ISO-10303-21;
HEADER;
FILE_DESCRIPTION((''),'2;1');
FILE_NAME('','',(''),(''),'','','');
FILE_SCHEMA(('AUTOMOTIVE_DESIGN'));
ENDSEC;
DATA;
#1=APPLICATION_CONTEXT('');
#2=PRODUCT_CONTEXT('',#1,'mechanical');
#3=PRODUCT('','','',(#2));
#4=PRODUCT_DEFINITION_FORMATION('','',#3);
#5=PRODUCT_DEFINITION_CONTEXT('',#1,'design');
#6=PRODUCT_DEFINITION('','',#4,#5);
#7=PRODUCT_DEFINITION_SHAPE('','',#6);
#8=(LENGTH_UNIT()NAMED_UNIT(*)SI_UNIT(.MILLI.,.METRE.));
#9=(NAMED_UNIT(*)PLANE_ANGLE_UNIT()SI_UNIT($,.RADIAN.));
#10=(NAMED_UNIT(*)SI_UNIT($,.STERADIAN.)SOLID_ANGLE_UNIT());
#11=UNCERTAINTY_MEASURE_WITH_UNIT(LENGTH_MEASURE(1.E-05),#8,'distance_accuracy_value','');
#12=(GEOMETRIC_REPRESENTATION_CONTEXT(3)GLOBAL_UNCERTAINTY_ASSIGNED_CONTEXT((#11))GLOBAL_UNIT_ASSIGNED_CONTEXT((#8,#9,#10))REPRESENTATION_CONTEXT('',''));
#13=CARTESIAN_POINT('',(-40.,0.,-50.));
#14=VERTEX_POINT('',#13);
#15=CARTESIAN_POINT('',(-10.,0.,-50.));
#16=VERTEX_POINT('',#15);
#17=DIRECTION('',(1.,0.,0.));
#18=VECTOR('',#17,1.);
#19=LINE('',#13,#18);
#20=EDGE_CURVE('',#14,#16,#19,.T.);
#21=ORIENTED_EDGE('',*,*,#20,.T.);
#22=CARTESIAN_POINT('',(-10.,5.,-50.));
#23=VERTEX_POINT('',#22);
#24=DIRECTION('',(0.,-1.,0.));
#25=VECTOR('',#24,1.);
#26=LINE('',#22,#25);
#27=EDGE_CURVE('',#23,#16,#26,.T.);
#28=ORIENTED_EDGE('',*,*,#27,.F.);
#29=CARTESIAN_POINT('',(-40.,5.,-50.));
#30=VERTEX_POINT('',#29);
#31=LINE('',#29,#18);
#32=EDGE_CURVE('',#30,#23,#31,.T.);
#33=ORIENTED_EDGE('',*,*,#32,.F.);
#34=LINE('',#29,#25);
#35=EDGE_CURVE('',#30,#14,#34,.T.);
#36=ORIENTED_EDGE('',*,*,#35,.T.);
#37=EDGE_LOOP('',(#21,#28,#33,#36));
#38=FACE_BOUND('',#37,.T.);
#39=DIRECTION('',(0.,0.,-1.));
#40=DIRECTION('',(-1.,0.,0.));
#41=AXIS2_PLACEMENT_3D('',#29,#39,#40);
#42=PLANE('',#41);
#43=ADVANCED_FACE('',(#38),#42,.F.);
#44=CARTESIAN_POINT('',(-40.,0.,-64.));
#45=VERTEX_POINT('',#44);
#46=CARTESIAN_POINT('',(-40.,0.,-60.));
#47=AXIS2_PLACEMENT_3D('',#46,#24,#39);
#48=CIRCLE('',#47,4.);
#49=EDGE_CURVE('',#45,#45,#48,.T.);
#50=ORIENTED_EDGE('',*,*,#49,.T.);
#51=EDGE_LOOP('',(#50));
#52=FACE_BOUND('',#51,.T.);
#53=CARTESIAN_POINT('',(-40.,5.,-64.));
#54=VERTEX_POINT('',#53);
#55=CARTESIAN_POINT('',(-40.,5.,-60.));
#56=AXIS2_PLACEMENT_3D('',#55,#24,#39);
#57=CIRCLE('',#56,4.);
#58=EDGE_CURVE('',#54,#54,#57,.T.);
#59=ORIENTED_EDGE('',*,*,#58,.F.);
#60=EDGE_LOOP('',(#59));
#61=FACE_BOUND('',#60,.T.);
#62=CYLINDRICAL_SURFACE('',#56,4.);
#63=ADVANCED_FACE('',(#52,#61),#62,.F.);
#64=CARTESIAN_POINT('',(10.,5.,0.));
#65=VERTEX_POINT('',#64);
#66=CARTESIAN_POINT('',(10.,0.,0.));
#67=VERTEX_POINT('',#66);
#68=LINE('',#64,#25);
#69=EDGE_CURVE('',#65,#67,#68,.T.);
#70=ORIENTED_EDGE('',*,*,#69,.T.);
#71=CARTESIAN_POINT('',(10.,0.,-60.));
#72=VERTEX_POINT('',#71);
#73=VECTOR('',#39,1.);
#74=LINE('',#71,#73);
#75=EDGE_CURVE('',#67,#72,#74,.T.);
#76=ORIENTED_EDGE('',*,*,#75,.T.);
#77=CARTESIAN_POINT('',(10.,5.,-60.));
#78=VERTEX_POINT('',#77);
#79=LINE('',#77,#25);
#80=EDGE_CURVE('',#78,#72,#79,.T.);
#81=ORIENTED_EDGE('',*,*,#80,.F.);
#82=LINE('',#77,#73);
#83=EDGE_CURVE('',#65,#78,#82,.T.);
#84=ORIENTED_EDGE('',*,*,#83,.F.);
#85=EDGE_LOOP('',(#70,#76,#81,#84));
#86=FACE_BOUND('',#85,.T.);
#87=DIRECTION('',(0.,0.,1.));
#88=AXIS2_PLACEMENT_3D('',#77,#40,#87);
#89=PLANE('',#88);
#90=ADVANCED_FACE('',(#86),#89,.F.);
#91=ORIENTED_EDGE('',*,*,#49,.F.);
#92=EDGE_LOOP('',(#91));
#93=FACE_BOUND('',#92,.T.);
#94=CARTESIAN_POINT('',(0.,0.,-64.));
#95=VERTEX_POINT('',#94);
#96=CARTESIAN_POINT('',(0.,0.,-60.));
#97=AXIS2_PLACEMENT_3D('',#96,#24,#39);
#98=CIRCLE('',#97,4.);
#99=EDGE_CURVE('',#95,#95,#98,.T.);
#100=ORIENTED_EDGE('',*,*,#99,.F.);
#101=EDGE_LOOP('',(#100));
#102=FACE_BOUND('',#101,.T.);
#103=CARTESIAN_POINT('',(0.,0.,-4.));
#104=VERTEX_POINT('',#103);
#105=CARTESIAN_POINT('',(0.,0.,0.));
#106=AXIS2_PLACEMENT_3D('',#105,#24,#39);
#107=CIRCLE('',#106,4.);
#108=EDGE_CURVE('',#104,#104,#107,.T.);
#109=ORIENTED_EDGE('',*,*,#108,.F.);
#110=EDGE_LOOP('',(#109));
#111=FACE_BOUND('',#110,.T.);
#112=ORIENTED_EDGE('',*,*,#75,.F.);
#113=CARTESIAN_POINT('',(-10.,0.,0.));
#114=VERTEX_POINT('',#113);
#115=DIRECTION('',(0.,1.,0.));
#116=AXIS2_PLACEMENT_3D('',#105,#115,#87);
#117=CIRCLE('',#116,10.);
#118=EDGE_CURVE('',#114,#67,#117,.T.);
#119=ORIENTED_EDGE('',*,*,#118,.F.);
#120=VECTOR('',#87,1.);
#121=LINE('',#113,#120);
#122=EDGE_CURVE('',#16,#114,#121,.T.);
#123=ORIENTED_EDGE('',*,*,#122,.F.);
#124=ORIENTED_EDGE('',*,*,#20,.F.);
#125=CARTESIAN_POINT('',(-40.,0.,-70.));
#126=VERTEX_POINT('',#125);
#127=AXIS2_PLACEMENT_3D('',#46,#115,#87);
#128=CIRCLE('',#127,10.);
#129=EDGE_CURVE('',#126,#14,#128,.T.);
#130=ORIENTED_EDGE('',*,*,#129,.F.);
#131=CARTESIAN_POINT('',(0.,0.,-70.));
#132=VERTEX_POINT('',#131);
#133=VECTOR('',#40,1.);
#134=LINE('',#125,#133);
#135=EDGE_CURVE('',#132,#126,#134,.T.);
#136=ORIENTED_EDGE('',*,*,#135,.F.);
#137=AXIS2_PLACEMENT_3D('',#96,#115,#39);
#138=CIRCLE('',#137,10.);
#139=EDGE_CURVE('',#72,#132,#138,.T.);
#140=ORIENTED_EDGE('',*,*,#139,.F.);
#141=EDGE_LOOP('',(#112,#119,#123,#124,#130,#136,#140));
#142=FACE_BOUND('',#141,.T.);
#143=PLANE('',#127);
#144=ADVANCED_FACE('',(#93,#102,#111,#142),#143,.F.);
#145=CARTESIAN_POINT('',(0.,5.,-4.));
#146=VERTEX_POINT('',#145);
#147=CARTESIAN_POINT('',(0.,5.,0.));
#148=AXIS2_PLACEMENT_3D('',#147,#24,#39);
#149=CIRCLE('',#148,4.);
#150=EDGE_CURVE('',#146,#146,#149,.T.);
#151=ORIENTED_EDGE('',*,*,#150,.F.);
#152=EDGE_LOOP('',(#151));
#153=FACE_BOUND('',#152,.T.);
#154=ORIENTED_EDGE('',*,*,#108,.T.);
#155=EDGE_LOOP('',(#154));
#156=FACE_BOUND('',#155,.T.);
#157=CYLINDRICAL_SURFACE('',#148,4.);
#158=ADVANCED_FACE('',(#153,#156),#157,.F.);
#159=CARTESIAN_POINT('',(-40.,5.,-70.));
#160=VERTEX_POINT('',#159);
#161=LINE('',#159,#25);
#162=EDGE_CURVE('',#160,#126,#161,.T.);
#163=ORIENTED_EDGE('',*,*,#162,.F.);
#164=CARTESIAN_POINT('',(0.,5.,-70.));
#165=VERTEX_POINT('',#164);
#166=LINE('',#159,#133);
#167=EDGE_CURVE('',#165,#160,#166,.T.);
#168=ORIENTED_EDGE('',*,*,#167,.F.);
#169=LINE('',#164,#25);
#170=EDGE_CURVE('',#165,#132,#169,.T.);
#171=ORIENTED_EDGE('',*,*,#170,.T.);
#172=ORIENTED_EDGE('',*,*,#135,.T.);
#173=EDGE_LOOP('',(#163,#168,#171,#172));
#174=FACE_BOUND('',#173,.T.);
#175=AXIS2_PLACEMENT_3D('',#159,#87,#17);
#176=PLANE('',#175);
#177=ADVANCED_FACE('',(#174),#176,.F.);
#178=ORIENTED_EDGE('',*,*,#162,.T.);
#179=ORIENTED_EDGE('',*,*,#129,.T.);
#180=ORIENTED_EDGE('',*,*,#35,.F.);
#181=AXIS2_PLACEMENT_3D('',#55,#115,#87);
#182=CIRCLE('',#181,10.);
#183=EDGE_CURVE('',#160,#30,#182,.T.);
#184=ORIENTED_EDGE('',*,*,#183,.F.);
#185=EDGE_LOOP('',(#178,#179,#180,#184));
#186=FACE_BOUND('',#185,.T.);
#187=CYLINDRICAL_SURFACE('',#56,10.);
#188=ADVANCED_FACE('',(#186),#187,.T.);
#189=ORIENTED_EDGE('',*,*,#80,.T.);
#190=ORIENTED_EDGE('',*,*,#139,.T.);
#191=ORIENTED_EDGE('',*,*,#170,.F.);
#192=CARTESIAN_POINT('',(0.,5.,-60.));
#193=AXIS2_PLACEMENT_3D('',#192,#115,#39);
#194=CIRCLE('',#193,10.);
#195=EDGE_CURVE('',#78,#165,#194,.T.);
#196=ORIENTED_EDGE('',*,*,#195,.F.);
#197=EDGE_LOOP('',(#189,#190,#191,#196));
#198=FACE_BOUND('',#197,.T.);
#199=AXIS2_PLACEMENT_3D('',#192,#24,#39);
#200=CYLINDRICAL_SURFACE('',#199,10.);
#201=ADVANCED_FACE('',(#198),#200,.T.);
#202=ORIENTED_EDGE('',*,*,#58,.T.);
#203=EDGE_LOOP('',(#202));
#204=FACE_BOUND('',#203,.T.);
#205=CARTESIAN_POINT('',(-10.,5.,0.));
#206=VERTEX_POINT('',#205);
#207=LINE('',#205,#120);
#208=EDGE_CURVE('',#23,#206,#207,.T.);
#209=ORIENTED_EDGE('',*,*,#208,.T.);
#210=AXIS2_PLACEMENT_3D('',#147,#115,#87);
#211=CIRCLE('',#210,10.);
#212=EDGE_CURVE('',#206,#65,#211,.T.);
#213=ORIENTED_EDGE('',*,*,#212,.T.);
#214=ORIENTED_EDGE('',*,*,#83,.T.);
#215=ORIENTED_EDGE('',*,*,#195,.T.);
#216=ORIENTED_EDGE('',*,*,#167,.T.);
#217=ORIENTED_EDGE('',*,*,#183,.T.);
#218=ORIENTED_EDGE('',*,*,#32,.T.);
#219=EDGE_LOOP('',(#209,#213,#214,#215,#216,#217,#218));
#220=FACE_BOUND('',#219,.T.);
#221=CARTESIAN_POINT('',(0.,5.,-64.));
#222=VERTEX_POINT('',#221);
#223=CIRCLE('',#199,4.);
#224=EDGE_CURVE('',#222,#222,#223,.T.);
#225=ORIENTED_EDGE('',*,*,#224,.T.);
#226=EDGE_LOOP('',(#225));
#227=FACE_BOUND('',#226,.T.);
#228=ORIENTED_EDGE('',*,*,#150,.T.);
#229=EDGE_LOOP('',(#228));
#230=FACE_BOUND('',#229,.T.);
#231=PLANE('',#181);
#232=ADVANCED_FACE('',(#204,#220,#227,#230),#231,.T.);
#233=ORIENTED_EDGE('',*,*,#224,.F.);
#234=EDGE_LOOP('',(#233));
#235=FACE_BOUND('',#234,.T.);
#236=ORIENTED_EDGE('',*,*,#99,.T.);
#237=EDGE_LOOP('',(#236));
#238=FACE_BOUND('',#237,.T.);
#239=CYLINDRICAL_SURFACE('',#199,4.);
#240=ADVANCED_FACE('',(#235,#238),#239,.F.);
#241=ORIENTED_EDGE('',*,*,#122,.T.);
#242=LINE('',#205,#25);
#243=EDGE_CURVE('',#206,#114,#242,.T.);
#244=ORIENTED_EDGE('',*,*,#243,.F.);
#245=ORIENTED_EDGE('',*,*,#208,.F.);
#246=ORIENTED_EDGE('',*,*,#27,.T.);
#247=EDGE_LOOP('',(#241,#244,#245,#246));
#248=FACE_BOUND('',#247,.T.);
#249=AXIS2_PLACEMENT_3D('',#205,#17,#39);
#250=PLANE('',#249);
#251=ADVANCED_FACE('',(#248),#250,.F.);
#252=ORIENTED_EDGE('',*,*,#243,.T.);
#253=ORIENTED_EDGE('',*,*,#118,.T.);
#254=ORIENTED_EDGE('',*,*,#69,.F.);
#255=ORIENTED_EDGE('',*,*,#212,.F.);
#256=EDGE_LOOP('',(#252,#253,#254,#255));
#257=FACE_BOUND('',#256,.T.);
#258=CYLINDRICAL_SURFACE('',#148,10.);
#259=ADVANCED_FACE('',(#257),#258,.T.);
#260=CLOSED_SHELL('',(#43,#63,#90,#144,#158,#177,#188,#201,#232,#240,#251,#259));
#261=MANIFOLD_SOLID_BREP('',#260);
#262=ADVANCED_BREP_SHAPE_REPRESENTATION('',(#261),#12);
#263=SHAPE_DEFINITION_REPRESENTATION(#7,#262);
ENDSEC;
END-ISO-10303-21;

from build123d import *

# Parameters (mm, degrees)
BOSS_EXTRUDE1_DEPTH = 5
SKETCH2_R           = 4
CUT_EXTRUDE1_DEPTH  = 5


with BuildPart() as part:
    # Sketch1 → Boss-Extrude1 (new body)
    with BuildSketch(Plane(origin=(0, 0, 0), x_dir=(1, 0, 0), z_dir=(0, 1, 0))):
        with BuildLine():
            Line((-40, 70), (0, 70))
            ThreePointArc((0, 70), (7.071067812, 67.071067812), (10, 60))
            Line((10, 60), (10, 0))
            ThreePointArc((10, 0), (0, -10), (-10, 0))
            Line((-10, 0), (-10, 50))
            Line((-10, 50), (-40, 50))
            ThreePointArc((-40, 50), (-50, 60), (-40, 70))
        make_face()
    extrude(amount=BOSS_EXTRUDE1_DEPTH)

    # Sketch2 → Cut-Extrude1 (cut)
    with BuildSketch(Plane.XZ):
        Circle(SKETCH2_R)
        with Locations((-40, -60)):
            Circle(SKETCH2_R)
        with Locations((0, -60)):
            Circle(SKETCH2_R)
    extrude(amount=-CUT_EXTRUDE1_DEPTH, mode=Mode.SUBTRACT)


solid = part.part
